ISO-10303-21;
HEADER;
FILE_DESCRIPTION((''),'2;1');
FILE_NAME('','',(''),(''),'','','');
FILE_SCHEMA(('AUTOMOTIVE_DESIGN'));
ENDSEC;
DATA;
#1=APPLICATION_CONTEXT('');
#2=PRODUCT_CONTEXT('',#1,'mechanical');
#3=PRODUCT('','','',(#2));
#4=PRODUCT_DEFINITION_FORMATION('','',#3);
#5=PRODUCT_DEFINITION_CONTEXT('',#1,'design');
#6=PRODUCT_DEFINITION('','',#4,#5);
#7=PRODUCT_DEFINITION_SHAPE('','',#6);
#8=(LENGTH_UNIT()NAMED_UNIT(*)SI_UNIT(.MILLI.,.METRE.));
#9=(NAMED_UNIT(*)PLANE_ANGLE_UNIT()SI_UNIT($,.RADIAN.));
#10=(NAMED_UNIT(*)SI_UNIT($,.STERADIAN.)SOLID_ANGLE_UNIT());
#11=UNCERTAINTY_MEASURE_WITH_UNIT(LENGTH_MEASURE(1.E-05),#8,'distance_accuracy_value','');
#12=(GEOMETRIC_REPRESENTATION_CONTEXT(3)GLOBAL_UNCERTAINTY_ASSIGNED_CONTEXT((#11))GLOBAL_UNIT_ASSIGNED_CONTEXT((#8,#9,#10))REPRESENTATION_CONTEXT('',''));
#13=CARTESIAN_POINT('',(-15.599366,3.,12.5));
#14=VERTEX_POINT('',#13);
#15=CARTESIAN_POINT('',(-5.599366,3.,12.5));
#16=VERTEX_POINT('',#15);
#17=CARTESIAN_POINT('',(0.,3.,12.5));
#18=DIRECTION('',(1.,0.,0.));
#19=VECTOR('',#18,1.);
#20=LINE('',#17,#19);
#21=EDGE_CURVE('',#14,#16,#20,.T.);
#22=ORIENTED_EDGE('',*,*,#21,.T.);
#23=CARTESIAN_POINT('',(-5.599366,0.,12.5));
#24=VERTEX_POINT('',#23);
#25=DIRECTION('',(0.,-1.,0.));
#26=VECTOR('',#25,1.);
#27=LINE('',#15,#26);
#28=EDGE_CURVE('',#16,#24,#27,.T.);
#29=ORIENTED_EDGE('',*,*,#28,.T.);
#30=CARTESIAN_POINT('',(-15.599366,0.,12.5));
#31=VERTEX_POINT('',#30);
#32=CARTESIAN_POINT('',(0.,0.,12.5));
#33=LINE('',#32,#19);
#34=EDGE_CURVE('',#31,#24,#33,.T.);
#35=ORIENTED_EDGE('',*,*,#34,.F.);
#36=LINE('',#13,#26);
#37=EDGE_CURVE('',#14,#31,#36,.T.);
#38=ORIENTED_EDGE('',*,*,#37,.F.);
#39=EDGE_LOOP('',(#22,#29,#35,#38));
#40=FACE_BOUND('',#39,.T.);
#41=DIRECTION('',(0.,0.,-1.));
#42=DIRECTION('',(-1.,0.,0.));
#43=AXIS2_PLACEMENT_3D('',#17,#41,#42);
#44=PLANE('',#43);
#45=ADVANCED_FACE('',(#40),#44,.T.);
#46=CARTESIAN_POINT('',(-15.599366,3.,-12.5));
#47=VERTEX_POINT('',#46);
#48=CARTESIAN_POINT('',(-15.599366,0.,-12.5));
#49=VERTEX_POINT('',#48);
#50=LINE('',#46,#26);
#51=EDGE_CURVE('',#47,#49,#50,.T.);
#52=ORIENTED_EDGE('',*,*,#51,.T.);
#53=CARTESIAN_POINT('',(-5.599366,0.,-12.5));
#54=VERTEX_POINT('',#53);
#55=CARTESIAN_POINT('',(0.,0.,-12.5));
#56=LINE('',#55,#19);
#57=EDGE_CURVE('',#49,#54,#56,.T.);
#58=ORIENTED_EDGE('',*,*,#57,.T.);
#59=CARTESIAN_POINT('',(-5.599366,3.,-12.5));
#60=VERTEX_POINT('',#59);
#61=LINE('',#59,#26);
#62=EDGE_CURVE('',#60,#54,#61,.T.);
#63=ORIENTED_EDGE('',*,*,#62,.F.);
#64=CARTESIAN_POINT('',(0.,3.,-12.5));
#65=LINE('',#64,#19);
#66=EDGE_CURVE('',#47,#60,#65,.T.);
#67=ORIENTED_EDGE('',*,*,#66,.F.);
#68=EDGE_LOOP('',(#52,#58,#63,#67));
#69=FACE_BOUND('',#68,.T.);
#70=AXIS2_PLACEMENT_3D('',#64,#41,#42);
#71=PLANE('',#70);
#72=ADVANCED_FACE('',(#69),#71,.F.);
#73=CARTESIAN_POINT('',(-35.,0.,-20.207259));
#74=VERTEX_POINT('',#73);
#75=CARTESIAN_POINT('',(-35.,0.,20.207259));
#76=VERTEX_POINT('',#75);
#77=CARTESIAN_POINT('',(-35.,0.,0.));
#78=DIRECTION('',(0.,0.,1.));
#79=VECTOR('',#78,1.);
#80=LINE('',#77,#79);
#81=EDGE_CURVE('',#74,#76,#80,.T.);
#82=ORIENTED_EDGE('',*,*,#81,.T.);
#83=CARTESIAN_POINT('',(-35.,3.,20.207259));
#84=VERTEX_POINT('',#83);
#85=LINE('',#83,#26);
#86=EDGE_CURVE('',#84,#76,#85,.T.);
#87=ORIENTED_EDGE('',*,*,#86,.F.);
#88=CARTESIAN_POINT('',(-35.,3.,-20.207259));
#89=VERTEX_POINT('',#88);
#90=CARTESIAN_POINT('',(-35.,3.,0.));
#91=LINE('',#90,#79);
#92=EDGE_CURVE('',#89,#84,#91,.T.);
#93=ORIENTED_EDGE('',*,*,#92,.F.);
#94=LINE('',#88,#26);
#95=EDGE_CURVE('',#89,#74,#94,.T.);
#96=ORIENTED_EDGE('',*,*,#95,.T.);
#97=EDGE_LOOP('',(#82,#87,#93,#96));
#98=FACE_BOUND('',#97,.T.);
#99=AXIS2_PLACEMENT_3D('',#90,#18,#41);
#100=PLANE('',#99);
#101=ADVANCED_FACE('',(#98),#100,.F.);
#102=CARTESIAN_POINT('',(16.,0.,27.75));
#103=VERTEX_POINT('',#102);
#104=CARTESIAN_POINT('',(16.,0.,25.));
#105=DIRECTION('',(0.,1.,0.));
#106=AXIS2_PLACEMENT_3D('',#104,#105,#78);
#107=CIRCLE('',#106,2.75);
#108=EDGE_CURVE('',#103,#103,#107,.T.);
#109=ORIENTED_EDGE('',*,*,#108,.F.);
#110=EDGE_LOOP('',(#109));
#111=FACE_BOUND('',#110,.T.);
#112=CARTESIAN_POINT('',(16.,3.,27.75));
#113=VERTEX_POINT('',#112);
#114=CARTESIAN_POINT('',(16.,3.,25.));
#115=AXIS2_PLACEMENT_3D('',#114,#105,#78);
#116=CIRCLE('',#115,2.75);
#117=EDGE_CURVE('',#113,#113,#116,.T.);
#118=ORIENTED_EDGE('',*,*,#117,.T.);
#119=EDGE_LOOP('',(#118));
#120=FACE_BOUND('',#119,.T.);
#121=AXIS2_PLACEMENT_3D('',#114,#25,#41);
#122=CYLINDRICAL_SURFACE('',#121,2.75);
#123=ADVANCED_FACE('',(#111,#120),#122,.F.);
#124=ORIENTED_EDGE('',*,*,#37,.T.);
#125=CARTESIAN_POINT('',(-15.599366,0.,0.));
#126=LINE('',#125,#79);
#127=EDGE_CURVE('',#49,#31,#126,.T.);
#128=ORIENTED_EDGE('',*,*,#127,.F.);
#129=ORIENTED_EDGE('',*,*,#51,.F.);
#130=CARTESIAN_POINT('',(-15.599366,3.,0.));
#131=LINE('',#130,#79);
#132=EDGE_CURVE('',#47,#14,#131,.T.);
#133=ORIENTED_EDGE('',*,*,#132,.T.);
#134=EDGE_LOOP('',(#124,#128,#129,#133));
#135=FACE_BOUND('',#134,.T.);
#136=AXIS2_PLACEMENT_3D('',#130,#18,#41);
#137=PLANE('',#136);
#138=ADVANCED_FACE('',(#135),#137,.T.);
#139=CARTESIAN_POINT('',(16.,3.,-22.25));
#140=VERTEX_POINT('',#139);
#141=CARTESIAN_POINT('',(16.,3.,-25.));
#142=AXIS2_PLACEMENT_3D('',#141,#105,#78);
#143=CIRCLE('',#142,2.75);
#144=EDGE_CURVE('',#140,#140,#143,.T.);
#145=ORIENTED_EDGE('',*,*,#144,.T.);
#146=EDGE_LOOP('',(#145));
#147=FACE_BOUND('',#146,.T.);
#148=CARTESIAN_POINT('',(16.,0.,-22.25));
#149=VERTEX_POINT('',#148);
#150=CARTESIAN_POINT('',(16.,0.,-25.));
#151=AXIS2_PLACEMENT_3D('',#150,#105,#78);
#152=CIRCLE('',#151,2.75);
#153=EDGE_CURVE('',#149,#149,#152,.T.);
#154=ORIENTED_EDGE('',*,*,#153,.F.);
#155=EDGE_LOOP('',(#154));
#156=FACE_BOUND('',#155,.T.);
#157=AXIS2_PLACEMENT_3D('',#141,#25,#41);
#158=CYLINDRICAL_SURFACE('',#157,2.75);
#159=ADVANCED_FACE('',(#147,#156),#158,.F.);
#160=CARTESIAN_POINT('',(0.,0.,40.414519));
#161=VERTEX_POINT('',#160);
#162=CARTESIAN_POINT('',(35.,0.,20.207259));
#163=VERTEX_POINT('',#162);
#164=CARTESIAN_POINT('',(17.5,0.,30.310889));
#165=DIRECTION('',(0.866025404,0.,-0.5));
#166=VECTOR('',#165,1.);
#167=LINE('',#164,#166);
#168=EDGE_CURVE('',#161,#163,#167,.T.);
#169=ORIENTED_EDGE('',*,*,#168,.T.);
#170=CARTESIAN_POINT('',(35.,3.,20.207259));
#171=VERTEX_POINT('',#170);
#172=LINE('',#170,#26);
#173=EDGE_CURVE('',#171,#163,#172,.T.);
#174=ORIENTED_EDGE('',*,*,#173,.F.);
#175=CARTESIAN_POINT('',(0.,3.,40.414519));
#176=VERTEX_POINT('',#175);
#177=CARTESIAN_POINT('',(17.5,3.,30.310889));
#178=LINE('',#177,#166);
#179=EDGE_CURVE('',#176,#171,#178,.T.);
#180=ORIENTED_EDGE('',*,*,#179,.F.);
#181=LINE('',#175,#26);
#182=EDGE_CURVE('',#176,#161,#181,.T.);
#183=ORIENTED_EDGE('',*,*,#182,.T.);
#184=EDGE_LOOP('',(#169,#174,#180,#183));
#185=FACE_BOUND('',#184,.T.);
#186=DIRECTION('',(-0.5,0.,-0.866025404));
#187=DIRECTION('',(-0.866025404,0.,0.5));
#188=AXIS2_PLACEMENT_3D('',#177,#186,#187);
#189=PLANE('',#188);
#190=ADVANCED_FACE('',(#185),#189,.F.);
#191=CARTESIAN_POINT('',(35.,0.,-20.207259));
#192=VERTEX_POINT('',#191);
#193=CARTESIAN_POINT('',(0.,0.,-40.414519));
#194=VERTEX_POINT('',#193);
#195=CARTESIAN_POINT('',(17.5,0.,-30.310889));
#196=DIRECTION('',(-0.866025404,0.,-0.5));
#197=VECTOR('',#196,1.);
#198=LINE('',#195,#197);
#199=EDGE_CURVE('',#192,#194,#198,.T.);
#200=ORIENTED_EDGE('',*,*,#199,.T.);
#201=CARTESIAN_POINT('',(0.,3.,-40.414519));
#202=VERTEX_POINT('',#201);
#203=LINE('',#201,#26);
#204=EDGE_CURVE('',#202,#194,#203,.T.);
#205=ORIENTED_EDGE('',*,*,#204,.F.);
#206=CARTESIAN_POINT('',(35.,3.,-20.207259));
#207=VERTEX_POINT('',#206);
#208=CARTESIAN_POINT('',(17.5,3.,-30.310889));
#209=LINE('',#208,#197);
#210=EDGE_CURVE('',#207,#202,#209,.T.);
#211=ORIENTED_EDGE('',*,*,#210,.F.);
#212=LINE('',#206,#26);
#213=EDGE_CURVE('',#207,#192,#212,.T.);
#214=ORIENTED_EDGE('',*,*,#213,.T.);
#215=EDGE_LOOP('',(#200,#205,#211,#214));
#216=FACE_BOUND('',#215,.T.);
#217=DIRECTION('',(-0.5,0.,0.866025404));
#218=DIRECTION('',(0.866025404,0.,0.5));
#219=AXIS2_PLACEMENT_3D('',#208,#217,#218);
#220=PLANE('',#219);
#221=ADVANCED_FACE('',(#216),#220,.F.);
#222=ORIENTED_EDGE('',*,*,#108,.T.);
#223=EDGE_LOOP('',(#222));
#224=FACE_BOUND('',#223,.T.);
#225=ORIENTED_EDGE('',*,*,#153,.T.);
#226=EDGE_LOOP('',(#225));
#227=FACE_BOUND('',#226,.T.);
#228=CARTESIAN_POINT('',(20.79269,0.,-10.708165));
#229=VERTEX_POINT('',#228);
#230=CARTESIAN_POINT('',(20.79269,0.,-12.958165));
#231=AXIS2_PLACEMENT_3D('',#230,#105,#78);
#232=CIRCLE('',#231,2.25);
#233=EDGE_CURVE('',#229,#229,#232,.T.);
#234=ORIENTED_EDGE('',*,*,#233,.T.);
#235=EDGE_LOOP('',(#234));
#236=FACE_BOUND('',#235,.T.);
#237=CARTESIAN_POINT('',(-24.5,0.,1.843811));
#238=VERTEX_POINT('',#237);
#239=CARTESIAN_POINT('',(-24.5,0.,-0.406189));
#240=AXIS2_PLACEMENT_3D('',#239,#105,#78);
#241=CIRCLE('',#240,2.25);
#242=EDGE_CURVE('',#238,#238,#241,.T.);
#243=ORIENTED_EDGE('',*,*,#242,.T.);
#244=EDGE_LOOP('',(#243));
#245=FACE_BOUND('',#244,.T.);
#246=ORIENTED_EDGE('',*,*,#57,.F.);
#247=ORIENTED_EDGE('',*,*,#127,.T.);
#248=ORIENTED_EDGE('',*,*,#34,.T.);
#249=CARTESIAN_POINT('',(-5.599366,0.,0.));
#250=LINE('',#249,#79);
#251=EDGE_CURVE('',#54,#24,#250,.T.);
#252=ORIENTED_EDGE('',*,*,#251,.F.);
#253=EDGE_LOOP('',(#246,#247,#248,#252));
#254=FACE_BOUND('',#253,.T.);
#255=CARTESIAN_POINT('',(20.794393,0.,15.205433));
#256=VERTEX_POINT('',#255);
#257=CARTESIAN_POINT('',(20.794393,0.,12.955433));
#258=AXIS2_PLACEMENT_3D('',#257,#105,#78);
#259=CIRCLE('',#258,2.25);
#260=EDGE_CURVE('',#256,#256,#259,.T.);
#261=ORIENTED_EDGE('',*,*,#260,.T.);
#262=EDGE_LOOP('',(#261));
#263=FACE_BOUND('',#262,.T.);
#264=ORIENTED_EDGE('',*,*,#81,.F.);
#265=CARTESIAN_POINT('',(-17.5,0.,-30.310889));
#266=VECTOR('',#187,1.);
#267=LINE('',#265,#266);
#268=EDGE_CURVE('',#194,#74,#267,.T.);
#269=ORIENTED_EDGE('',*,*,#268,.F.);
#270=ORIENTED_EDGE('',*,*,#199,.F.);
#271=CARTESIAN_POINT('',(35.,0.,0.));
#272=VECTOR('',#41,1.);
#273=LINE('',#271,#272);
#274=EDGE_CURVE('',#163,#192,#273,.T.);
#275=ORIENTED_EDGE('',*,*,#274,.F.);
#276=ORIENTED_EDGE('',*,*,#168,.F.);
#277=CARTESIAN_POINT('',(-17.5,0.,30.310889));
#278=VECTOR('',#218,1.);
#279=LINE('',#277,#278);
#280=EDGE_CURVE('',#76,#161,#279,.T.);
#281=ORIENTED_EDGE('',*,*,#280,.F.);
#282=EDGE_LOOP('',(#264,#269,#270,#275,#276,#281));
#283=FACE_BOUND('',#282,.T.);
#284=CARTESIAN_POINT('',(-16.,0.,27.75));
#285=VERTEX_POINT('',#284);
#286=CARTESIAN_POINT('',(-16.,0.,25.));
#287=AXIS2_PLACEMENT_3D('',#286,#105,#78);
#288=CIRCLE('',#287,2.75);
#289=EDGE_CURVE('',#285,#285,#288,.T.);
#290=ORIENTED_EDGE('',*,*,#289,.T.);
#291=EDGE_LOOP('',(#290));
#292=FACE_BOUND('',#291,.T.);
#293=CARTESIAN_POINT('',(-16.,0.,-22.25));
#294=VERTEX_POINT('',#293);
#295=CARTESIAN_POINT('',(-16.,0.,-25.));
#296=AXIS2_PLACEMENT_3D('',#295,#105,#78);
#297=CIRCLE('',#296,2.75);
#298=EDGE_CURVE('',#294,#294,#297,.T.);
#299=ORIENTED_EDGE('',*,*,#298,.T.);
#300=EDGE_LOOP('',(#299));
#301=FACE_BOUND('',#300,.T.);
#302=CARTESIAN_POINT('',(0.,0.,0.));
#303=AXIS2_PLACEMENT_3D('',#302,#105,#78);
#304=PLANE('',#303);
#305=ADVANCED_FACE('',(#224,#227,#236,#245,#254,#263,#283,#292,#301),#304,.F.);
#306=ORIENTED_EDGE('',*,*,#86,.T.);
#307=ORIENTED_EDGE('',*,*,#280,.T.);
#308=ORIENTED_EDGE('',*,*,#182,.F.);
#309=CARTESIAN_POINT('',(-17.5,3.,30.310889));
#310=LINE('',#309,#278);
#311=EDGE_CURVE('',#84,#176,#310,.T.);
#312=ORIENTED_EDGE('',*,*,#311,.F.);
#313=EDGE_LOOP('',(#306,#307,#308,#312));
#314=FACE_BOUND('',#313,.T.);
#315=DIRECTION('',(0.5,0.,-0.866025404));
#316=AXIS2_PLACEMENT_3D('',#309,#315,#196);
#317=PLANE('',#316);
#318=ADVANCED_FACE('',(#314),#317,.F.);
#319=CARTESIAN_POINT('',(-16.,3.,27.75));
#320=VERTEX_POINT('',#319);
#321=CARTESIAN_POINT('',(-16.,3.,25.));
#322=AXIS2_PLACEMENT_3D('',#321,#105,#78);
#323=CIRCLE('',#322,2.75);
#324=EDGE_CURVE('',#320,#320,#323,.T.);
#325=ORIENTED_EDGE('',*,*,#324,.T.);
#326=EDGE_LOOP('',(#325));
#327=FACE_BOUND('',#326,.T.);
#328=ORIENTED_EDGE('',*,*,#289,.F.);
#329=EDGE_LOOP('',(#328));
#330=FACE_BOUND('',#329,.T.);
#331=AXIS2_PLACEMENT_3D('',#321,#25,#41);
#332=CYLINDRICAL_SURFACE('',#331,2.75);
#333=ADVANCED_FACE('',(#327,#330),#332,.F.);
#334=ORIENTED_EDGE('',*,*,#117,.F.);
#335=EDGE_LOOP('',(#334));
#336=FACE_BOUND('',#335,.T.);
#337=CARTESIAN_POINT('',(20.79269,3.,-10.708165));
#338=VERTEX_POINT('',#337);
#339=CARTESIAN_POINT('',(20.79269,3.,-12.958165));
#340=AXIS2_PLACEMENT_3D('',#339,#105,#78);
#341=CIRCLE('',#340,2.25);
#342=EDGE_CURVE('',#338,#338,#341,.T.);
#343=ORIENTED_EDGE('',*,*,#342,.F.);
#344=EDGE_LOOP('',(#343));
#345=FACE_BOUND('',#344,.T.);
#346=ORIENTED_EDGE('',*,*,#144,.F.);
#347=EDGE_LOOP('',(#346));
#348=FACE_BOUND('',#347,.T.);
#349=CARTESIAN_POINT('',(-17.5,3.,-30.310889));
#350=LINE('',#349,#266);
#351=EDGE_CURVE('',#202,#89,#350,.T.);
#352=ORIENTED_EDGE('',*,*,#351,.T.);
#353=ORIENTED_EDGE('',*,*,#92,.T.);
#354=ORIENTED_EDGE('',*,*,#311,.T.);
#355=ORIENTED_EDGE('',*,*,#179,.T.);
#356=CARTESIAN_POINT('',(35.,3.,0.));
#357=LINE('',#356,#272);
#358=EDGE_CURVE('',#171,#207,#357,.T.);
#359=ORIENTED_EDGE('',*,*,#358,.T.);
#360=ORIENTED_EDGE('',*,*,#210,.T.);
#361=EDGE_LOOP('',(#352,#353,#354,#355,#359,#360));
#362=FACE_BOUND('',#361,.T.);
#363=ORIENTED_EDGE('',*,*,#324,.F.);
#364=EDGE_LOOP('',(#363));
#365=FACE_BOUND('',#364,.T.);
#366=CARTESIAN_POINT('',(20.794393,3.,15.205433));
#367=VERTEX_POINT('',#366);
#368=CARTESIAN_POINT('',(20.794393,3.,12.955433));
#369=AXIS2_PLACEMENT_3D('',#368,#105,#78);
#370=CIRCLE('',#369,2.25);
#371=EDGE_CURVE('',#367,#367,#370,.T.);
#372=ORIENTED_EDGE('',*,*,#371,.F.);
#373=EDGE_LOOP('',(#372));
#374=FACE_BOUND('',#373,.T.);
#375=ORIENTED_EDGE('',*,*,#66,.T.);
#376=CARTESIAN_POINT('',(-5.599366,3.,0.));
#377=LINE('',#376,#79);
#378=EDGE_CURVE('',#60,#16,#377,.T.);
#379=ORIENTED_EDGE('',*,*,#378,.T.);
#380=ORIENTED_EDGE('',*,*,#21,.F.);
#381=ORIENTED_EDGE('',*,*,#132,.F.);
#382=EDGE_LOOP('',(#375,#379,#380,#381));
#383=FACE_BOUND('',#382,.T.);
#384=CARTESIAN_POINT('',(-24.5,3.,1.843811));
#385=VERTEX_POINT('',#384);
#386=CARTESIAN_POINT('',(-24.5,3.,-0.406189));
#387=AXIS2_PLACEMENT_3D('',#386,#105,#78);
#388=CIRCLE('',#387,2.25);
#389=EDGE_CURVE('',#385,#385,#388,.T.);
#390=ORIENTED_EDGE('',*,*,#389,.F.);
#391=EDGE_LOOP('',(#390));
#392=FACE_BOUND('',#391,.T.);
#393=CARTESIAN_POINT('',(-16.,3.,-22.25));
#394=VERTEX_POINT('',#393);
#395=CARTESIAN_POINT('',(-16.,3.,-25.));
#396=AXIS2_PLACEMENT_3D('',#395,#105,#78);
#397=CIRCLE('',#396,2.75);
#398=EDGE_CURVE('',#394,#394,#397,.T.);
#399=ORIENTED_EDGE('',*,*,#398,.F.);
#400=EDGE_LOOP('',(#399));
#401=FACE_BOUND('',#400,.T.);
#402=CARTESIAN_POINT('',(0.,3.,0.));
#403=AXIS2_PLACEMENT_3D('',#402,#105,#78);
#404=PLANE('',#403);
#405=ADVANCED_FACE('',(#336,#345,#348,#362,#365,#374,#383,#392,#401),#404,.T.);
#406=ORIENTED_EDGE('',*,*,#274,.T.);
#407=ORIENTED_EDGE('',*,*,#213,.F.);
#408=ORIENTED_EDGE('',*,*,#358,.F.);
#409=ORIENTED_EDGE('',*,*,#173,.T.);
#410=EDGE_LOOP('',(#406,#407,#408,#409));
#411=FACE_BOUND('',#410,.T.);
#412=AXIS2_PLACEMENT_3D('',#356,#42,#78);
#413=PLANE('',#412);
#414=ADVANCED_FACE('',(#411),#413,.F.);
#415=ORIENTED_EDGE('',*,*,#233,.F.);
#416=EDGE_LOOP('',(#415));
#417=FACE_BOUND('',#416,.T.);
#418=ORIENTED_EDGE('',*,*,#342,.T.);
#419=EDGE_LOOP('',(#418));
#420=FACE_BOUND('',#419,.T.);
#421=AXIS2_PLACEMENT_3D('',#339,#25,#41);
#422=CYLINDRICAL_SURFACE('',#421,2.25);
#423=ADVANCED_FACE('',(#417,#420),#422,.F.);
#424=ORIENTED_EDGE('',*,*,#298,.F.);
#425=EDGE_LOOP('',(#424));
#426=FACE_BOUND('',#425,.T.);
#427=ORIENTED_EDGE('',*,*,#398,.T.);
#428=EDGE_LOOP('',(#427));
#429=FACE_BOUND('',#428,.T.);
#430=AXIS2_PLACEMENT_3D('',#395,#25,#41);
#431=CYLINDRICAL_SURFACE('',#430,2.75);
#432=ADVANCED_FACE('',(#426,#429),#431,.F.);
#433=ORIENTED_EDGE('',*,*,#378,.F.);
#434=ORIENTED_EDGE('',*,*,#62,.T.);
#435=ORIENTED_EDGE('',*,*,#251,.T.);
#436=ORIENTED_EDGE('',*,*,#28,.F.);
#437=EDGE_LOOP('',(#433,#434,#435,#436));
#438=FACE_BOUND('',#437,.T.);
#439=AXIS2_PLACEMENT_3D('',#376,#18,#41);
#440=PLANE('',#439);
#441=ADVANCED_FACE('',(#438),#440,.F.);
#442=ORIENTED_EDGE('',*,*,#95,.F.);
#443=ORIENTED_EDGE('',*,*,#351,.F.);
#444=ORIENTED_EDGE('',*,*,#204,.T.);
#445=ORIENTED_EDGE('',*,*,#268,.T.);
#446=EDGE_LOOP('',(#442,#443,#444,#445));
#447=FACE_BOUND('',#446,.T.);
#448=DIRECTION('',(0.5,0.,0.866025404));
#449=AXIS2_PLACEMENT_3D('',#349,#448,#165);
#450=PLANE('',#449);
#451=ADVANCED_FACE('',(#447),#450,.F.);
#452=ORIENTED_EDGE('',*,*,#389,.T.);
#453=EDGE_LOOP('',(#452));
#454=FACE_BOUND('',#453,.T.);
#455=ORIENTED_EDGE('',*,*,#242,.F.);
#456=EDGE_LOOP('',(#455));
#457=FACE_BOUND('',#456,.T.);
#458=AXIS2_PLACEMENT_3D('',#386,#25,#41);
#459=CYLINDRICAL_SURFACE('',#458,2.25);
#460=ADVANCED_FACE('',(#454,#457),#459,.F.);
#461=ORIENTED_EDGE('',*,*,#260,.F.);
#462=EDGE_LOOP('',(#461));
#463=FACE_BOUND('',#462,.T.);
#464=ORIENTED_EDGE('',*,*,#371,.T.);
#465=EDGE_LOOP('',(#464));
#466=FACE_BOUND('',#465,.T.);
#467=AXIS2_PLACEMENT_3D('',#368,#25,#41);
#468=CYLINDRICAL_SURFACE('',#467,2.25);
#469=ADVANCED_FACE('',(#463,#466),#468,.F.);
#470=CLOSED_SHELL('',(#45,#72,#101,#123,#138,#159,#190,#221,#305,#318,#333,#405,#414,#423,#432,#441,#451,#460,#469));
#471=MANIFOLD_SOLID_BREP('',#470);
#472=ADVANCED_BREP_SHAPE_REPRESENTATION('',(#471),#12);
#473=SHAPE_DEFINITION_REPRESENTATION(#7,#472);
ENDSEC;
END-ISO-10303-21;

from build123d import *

# Parameters (mm, degrees)
SKETCH1_R           = 2.25
SKETCH1_R_2         = 2.75
SKETCH1_W           = 10
SKETCH1_H           = 25
BOSS_EXTRUDE1_DEPTH = 3


with BuildPart() as part:
    # Sketch1 → Boss-Extrude1 (new body)
    with BuildSketch(Plane(origin=(0, 0, 0), x_dir=(1, 0, 0), z_dir=(0, 1, 0))):
        Polygon((0, -40.414518843), (35, -20.207259422), (35, 20.207259422), (0, 40.414518843), (-35, 20.207259422), (-35, -20.207259422), align=None)
        with Locations(Location((20.792689758, 12.958165481, 0), (0, 0, 270))):
            Circle(SKETCH1_R, mode=Mode.SUBTRACT)
        with Locations(Location((20.794392615, -12.955432674, 0), (0, 0, 270))):
            Circle(SKETCH1_R, mode=Mode.SUBTRACT)
        with Locations(Location((-24.5, 0.406188596, 0), (0, 0, 270))):
            Circle(SKETCH1_R, mode=Mode.SUBTRACT)
        with Locations(Location((-16, 25, 0), (0, 0, 270))):
            Circle(SKETCH1_R_2, mode=Mode.SUBTRACT)
        with Locations(Location((16, 25, 0), (0, 0, 270))):
            Circle(SKETCH1_R_2, mode=Mode.SUBTRACT)
        with Locations(Location((-16, -25, 0), (0, 0, 270))):
            Circle(SKETCH1_R_2, mode=Mode.SUBTRACT)
        with Locations(Location((16, -25, 0), (0, 0, 270))):
            Circle(SKETCH1_R_2, mode=Mode.SUBTRACT)
        with Locations((-10.599366241, 0)):
            Rectangle(SKETCH1_W, SKETCH1_H, mode=Mode.SUBTRACT)
    extrude(amount=BOSS_EXTRUDE1_DEPTH)


solid = part.part
